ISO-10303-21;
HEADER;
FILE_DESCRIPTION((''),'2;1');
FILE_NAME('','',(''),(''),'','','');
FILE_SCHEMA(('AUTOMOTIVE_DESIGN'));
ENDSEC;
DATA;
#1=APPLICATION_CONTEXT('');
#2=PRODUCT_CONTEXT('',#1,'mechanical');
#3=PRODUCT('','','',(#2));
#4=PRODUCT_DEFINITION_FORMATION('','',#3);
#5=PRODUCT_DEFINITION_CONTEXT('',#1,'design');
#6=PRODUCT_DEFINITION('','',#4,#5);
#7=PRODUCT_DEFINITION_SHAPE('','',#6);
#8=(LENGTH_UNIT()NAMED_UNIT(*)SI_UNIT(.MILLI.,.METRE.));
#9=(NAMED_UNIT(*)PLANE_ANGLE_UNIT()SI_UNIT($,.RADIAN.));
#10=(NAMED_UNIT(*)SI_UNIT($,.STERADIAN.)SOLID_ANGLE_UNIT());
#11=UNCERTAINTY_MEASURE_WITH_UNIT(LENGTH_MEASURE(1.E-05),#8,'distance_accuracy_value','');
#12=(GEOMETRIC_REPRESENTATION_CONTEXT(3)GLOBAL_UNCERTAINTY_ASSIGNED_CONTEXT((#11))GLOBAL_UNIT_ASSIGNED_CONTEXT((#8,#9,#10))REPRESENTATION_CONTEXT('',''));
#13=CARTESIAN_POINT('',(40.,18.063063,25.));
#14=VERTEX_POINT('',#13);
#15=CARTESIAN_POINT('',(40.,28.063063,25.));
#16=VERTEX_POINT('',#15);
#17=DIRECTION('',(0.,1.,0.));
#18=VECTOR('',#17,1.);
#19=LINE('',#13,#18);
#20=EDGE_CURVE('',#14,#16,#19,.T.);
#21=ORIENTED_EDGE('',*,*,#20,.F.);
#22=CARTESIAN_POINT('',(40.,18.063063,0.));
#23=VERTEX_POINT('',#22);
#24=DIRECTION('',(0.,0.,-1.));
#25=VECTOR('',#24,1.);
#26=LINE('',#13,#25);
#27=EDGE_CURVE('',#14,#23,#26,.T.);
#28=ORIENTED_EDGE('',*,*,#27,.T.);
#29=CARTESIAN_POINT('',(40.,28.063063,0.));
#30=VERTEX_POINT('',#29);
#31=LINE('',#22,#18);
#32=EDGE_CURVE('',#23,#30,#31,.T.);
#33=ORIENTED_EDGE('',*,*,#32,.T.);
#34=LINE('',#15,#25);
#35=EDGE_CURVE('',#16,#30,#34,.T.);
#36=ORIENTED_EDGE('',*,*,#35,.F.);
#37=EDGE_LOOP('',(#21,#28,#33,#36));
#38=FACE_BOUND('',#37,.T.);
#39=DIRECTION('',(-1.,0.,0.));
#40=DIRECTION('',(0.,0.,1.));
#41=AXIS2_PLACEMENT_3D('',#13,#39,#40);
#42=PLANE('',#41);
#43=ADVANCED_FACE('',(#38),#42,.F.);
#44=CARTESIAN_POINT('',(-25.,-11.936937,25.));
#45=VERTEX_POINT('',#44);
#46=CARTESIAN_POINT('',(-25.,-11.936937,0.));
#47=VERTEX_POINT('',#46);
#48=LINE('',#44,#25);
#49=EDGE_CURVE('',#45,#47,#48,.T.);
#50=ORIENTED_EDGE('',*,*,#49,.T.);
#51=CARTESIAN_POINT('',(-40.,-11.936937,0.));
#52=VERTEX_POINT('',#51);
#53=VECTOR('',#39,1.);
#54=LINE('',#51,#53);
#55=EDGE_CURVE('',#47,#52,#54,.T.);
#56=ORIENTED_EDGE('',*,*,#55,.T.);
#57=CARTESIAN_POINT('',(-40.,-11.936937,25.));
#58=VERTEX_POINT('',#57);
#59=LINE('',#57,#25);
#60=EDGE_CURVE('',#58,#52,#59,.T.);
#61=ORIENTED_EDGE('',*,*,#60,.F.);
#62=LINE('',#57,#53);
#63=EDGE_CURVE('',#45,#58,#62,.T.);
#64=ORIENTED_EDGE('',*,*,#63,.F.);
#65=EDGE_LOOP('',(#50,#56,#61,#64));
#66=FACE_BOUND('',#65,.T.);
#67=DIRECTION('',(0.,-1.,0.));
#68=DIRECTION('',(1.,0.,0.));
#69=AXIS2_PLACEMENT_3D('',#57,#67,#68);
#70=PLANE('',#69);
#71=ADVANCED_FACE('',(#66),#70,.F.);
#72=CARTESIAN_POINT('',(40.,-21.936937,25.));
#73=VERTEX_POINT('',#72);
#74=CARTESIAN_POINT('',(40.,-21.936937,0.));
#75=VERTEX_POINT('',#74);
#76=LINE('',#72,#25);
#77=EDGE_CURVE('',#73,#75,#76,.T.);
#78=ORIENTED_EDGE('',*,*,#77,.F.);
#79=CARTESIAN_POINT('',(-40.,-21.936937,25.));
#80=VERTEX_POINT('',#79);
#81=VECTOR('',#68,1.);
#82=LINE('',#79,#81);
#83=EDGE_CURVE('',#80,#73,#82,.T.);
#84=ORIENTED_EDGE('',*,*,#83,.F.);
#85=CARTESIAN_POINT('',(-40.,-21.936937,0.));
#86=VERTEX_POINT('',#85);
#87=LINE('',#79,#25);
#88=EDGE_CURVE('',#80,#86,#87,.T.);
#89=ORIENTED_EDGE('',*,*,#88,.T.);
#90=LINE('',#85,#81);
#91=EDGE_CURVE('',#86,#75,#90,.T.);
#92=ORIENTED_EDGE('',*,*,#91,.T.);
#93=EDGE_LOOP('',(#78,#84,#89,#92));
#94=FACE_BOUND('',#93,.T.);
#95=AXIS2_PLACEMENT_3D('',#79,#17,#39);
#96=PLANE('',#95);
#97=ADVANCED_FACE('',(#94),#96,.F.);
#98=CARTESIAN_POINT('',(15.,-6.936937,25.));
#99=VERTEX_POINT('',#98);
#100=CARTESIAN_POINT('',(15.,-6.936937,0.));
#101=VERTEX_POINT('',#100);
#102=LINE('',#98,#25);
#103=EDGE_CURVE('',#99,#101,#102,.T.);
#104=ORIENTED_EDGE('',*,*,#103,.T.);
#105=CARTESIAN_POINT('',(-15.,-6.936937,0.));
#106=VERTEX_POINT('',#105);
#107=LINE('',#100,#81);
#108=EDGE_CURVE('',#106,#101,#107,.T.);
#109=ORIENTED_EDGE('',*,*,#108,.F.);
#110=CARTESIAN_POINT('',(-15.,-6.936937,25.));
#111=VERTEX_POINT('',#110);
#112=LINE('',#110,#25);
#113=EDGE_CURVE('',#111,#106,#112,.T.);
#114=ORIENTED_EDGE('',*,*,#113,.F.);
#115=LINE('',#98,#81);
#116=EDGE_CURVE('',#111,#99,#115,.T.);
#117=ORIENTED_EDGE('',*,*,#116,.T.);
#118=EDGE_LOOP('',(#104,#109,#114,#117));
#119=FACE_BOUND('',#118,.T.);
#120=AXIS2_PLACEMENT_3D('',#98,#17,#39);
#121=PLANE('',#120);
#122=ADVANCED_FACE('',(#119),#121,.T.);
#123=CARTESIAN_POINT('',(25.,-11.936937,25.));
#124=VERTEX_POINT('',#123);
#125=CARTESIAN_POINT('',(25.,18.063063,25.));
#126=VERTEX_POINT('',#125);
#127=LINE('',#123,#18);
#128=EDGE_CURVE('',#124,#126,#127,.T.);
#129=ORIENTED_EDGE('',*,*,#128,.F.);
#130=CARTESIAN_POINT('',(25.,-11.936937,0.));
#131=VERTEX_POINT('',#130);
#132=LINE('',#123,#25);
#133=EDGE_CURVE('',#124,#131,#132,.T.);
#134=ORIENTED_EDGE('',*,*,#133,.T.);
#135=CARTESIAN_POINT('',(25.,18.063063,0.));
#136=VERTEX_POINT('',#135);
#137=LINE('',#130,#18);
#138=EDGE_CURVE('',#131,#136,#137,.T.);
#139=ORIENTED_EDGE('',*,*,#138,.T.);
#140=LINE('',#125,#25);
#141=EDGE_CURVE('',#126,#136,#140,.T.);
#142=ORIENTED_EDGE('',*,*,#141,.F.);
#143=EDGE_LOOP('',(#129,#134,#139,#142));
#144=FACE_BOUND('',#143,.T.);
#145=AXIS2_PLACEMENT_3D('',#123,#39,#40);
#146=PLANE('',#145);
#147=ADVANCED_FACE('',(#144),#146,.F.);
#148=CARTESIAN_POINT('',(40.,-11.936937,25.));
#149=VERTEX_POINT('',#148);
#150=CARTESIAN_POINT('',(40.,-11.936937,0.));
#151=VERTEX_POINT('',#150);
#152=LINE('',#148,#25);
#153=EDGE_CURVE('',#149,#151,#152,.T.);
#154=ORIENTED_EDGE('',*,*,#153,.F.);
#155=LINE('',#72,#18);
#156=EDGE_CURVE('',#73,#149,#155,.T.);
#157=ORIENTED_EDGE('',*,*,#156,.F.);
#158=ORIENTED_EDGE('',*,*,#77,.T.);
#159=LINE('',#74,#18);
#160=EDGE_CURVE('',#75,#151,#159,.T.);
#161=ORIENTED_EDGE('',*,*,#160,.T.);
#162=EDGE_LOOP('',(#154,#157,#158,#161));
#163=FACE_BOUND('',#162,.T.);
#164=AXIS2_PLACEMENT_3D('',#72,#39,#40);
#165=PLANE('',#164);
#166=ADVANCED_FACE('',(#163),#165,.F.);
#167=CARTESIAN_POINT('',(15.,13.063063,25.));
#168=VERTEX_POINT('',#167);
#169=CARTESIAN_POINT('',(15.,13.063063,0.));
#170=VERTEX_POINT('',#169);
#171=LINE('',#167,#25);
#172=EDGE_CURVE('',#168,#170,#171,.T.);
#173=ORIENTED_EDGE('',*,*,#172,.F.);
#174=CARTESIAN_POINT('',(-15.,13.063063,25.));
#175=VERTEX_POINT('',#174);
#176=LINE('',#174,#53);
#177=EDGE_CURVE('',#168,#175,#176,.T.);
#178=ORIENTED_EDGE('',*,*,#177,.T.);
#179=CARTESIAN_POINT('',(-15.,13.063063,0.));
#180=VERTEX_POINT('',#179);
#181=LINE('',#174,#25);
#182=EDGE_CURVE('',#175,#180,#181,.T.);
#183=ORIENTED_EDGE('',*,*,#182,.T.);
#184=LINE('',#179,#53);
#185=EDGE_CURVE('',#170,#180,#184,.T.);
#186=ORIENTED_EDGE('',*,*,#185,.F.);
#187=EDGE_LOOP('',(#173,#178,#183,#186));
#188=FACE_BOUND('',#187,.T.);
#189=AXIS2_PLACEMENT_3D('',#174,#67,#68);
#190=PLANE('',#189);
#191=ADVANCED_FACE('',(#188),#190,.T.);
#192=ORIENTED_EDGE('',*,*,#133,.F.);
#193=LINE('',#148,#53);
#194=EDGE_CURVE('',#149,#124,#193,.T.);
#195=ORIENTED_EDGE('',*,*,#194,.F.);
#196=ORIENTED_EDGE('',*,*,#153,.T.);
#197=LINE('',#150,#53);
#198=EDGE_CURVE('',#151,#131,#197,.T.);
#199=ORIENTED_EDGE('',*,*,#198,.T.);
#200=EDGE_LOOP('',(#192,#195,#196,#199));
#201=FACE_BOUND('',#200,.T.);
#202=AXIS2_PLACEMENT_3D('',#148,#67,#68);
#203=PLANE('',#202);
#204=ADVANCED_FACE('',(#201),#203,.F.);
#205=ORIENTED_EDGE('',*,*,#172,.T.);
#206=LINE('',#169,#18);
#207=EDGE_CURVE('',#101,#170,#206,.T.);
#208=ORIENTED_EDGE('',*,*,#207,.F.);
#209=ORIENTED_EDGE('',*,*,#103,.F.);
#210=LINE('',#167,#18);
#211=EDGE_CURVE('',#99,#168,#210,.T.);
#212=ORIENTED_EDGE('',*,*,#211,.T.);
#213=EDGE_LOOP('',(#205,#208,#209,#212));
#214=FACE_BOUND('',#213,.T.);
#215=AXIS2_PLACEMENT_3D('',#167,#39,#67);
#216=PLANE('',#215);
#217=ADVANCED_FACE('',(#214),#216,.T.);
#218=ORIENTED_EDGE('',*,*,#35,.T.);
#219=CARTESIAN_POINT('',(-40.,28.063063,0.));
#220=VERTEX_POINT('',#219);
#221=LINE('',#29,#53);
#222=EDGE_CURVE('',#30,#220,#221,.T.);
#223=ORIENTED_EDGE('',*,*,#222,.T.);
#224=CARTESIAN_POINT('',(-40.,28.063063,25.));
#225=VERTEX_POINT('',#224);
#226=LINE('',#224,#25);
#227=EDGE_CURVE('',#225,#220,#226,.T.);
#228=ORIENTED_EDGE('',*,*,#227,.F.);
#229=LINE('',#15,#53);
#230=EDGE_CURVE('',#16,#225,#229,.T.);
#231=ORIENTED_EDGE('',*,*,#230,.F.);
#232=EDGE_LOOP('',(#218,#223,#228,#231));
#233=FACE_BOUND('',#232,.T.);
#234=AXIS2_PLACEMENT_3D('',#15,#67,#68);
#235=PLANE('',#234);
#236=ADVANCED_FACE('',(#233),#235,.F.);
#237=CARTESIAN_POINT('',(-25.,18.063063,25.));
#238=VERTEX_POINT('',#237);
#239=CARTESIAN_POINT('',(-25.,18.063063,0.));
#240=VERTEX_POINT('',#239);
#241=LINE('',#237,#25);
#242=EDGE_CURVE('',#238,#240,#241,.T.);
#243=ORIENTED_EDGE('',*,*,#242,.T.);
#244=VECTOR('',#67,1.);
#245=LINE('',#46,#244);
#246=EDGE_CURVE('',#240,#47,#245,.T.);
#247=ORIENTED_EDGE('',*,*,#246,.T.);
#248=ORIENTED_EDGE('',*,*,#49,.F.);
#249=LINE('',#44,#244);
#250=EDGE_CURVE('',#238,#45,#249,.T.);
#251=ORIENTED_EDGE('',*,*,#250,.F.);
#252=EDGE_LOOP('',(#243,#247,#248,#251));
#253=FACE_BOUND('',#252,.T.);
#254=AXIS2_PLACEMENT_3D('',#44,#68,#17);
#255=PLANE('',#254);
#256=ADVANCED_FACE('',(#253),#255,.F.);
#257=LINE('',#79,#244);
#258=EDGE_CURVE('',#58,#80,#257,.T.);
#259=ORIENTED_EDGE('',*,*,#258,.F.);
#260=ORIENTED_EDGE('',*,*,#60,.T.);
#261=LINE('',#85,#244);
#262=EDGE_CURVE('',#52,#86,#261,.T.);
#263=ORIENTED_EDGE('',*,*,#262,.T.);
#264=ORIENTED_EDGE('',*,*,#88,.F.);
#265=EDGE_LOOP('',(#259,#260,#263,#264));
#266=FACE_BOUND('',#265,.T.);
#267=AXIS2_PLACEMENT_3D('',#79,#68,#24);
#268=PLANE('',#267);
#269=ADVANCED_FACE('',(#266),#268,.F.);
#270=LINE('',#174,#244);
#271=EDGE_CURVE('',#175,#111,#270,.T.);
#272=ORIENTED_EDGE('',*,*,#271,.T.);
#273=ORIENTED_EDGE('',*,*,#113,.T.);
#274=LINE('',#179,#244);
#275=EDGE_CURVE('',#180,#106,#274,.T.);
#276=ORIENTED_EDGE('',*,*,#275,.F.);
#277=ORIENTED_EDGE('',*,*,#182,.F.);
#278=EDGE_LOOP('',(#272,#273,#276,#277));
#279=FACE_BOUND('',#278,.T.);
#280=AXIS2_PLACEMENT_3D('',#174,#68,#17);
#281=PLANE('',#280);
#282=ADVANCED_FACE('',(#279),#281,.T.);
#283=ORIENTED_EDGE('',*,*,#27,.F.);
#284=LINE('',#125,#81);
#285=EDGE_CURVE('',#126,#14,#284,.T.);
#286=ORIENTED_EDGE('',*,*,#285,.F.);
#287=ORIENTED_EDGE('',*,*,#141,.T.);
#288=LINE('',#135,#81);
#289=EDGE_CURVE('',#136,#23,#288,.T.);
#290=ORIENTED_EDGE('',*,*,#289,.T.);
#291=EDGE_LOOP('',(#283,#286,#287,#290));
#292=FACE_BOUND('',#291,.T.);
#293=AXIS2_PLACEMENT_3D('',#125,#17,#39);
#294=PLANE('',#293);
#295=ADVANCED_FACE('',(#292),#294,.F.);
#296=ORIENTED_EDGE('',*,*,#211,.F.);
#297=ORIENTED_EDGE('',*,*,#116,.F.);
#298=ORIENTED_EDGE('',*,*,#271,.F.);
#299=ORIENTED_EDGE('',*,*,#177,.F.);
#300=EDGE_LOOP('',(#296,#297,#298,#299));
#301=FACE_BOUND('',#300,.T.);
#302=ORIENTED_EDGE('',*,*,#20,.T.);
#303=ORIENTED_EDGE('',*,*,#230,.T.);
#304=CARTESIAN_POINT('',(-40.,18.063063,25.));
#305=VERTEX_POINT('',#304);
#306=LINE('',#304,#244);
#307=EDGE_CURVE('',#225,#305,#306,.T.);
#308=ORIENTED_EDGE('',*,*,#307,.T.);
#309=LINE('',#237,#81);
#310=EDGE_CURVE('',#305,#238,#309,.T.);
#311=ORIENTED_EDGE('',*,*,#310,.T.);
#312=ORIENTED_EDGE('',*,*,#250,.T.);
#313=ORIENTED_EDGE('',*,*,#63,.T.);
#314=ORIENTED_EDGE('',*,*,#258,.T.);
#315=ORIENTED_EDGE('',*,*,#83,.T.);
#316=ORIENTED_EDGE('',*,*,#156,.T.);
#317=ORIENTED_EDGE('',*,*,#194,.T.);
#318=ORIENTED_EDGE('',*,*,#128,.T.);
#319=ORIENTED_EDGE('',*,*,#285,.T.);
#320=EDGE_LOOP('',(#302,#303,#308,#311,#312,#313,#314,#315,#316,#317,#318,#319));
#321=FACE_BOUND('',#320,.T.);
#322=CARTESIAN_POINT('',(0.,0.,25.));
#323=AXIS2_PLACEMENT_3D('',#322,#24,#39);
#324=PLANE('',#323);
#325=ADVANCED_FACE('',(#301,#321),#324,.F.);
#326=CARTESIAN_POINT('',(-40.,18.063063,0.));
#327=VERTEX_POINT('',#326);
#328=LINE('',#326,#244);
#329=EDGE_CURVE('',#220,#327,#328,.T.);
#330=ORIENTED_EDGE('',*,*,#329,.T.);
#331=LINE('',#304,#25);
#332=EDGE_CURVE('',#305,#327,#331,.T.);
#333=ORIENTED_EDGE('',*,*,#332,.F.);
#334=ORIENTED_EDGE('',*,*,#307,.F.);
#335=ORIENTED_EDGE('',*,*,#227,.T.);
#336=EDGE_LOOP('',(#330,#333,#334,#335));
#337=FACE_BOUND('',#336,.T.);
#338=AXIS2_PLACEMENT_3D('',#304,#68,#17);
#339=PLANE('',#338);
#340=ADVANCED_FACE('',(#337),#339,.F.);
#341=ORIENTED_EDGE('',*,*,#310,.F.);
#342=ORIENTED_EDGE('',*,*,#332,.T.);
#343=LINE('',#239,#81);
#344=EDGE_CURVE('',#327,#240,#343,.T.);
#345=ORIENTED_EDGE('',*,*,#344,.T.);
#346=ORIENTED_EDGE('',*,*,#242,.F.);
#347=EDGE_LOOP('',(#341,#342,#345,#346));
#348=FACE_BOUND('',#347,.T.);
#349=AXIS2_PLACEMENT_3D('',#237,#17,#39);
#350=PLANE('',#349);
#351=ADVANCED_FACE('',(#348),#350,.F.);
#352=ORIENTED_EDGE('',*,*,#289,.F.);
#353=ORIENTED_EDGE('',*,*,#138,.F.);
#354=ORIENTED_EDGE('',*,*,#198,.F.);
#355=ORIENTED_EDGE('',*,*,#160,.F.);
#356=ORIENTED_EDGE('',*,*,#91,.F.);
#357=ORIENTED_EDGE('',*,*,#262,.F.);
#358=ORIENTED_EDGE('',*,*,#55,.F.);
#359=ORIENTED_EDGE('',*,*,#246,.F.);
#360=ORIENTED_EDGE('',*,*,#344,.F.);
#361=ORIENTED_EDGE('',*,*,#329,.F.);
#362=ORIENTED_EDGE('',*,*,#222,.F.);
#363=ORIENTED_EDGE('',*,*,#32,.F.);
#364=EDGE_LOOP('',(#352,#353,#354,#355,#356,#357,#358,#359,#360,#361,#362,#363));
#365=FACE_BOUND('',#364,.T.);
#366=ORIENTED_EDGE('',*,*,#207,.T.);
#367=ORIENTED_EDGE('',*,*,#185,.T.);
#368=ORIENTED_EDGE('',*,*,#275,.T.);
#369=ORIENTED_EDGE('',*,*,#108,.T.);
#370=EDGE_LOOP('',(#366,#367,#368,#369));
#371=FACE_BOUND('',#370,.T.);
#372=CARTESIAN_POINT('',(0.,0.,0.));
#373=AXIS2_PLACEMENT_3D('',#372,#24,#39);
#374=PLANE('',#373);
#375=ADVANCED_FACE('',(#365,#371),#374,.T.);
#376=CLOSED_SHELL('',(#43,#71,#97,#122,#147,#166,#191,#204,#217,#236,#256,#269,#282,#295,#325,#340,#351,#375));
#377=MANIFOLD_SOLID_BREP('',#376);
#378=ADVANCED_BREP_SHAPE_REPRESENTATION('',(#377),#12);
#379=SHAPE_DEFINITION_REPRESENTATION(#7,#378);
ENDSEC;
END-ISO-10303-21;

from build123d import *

# Parameters (mm, degrees)
SKETCH1_W           = 30
SKETCH1_H           = 20
BOSS_EXTRUDE1_DEPTH = 25


with BuildPart() as part:
    # Sketch1 → Boss-Extrude1 (new body)
    with BuildSketch(Plane.XY):
        Polygon((-40, -21.936936628), (40, -21.936936628), (40, -11.936936628), (25, -11.936936628), (25, 18.063063372), (40, 18.063063372), (40, 28.063063372), (-40, 28.063063372), (-40, 18.063063372), (-25, 18.063063372), (-25, -11.936936628), (-40, -11.936936628), align=None)
        with Locations((0, 3.063063372)):
            Rectangle(SKETCH1_W, SKETCH1_H, mode=Mode.SUBTRACT)
    extrude(amount=BOSS_EXTRUDE1_DEPTH)


solid = part.part
